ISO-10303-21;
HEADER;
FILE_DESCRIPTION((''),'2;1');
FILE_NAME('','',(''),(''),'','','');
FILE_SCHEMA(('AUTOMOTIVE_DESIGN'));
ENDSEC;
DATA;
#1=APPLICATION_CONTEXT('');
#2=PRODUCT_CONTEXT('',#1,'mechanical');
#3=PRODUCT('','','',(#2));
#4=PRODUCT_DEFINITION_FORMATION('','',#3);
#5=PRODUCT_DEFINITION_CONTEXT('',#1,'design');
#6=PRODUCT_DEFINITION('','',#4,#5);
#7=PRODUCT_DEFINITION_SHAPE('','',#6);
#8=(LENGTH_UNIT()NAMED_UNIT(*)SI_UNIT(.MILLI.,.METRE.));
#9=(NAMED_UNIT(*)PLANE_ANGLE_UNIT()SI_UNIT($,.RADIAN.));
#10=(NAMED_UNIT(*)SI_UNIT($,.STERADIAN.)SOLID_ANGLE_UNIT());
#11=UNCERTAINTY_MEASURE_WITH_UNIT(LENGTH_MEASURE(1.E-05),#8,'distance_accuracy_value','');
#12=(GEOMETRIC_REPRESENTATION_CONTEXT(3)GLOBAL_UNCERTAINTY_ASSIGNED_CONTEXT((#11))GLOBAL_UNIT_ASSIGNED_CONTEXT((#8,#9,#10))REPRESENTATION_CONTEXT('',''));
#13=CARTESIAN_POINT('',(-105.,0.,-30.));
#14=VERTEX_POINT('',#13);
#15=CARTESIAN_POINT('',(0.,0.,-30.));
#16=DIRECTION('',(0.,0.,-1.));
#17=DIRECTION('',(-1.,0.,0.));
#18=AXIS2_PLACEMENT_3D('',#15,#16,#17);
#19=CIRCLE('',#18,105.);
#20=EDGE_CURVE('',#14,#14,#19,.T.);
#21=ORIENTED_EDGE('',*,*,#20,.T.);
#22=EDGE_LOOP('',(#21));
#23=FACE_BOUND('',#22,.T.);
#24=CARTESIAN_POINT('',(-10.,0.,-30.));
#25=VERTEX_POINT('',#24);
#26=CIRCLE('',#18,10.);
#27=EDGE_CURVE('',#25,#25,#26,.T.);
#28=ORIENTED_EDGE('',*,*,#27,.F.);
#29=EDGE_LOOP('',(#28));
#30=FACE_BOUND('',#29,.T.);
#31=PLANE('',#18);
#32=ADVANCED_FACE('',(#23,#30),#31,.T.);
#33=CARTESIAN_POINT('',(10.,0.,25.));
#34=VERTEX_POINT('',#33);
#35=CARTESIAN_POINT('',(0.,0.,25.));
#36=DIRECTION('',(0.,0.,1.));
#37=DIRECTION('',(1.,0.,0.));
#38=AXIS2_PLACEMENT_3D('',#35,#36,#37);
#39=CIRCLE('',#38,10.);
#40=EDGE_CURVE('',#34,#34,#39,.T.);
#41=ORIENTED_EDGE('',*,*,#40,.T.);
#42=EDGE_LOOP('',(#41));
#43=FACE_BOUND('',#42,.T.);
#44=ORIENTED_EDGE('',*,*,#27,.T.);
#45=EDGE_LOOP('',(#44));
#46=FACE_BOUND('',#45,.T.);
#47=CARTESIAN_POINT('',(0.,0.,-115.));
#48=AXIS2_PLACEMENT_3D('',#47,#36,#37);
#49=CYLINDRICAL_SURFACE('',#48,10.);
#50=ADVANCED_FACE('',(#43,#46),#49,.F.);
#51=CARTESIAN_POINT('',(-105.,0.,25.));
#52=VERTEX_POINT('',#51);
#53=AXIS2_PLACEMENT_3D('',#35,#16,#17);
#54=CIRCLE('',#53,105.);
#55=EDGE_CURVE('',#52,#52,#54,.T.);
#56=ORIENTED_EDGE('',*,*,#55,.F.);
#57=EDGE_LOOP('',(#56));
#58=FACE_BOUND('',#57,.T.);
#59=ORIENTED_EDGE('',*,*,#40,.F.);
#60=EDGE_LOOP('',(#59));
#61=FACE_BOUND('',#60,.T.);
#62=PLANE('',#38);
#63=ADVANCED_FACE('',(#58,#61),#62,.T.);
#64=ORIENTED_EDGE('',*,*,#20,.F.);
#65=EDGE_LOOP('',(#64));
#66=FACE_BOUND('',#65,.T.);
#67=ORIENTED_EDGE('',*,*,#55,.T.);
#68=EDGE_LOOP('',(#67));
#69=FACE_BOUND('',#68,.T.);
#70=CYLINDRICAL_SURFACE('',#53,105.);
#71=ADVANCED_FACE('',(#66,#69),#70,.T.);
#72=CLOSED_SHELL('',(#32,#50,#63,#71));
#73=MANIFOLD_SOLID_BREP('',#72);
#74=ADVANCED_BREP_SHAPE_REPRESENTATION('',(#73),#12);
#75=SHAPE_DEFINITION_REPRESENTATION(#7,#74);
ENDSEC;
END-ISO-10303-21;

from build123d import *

# Parameters (mm, degrees)
SKETCH1_R                = 88
BOSS_EXTRUDE3_DEPTH      = 25
SKETCH4_W                = 10.4719
SKETCH4_H                = 13.351164338
BOSS_EXTRUDE4_DEPTH      = 25
FILLET2_R                = 4
CIRPATTERN1_COUNT        = 30
FILLET2_OF_CIRPATTERN1_R = 4
SKETCH6_R                = 10
BOSS_EXTRUDE5_DEPTH      = 60
BOSS_EXTRUDE6_START      = 10
SKETCH7_R                = 10
BOSS_EXTRUDE6_DEPTH      = 10
SKETCH8_R                = 10
BOSS_EXTRUDE7_DEPTH      = 10
SKETCH9_R                = 10
BOSS_EXTRUDE8_DEPTH      = 25
SKETCH10_R               = 10
BOSS_EXTRUDE9_DEPTH      = 42.5
SKETCH12_R               = 12.5
CUT_EXTRUDE1_DEPTH       = 12
CUT_EXTRUDE2_START       = -55.5
SKETCH13_R               = 10
CUT_EXTRUDE2_DEPTH       = 55.5
SKETCH14_R               = 10
BOSS_EXTRUDE10_DEPTH     = 440
SKETCH15_R               = 105
BOSS_EXTRUDE12_DEPTH     = 25
BOSS_EXTRUDE13_START     = 30
SKETCH16_R               = 105
BOSS_EXTRUDE13_DEPTH     = 30
SKETCH17_R               = 10
BOSS_EXTRUDE14_DEPTH     = 50
CUT_EXTRUDE3_START       = -700
SKETCH18_R               = 10
CUT_EXTRUDE3_DEPTH       = 700


with BuildPart() as part:
    # Sketch1 → Boss-Extrude3 (new body)
    with BuildSketch(Plane.XY):
        Circle(SKETCH1_R)
    extrude(amount=BOSS_EXTRUDE3_DEPTH)

    # Sketch4 → Boss-Extrude4 (add)
    with BuildSketch(Plane.XY.offset(25)):
        with Locations((0, 93.324417831)):
            Rectangle(SKETCH4_W, SKETCH4_H)
    boss_extrude4 = extrude(amount=-BOSS_EXTRUDE4_DEPTH)

    # Fillet2
    fillet2_edges = [part.edges().sort_by_distance(p)[0] for p in [
        (5.23595, 100, 12.5),
        (0, 100, 0),
        (-5.23595, 100, 12.5),
        (0, 100, 25),
    ]]
    fillet(fillet2_edges, radius=FILLET2_R)

    # CirPattern1: Boss-Extrude4 ×30 about axis
    cirpattern1_axis = Axis((0, 0.317667884, 0), (0, 0, 1))
    for i in range(1, CIRPATTERN1_COUNT):
        add(boss_extrude4.rotate(cirpattern1_axis, i * 360 / CIRPATTERN1_COUNT))

    # Fillet2 of CirPattern1
    fillet2_of_cirpattern1_edges = [part.edges().sort_by_distance(p)[0] for p in [
        (-15.603590285, 98.910317096, 12.5),
        (-20.725122215, 97.821701879, 0),
        (-25.846654145, 96.733086661, 12.5),
        (-20.725122215, 97.821701879, 25),
        (-35.7611788, 93.511662322, 12.5),
        (-40.544457139, 91.382009596, 0),
        (-45.327735478, 89.252356869, 12.5),
        (-40.544457139, 91.382009596, 25),
        (-54.3558322, 84.039982796, 12.5),
        (-58.591804732, 80.962368605, 0),
        (-62.827777264, 77.884754413, 12.5),
        (-58.591804732, 80.962368605, 25),
        (-70.574874905, 70.909236365, 12.5),
        (-74.078409304, 67.018167216, 0),
        (-77.581943702, 63.127098067, 12.5),
        (-74.078409304, 67.018167216, 25),
        (-83.709456921, 54.693299655, 12.5),
        (-86.327431921, 50.158833942, 0),
        (-88.945406921, 45.624368229, 12.5),
        (-86.327431921, 50.158833942, 25),
        (-93.185533987, 36.100886913, 12.5),
        (-94.803531519, 31.121202547, 0),
        (-96.42152905, 26.14151818, 12.5),
        (-94.803531519, 31.121202547, 25),
        (-98.588956064, 15.944575793, 12.5),
        (-99.136261871, 10.737308875, 0),
        (-99.683567678, 5.530041957, 12.5),
        (-99.136261871, 10.737308875, 25),
        (-99.683567678, -4.894706189, 12.5),
        (-99.136261871, -10.101973107, 0),
        (-98.588956064, -15.309240025, 12.5),
        (-99.136261871, -10.101973107, 25),
        (-96.42152905, -25.506182413, 12.5),
        (-94.803531519, -30.485866779, 0),
        (-93.185533987, -35.465551145, 12.5),
        (-94.803531519, -30.485866779, 25),
        (-88.945406921, -44.989032461, 12.5),
        (-86.327431921, -49.523498174, 0),
        (-83.709456921, -54.057963887, 12.5),
        (-86.327431921, -49.523498174, 25),
        (-77.581943702, -62.491762299, 12.5),
        (-74.078409304, -66.382831448, 0),
        (-70.574874905, -70.273900597, 12.5),
        (-74.078409304, -66.382831448, 25),
        (-62.827777264, -77.249418645, 12.5),
        (-58.591804732, -80.327032837, 0),
        (-54.3558322, -83.404647029, 12.5),
        (-58.591804732, -80.327032837, 25),
        (-45.327735478, -88.617021102, 12.5),
        (-40.544457139, -90.746673828, 0),
        (-35.7611788, -92.876326554, 12.5),
        (-40.544457139, -90.746673828, 25),
        (-25.846654145, -96.097750894, 12.5),
        (-20.725122215, -97.186366111, 0),
        (-15.603590285, -98.274981329, 12.5),
        (-20.725122215, -97.186366111, 25),
        (-5.23595, -99.364664232, 12.5),
        (0, -99.364664232, 0),
        (5.23595, -99.364664232, 12.5),
        (0, -99.364664232, 25),
        (15.603590285, -98.274981329, 12.5),
        (20.725122215, -97.186366111, 0),
        (25.846654145, -96.097750894, 12.5),
        (20.725122215, -97.186366111, 25),
        (35.7611788, -92.876326554, 12.5),
        (40.544457139, -90.746673828, 0),
        (45.327735478, -88.617021102, 12.5),
        (40.544457139, -90.746673828, 25),
        (54.3558322, -83.404647029, 12.5),
        (58.591804732, -80.327032837, 0),
        (62.827777264, -77.249418645, 12.5),
        (58.591804732, -80.327032837, 25),
        (70.574874905, -70.273900597, 12.5),
        (74.078409304, -66.382831448, 0),
        (77.581943702, -62.491762299, 12.5),
        (74.078409304, -66.382831448, 25),
        (83.709456921, -54.057963887, 12.5),
        (86.327431921, -49.523498174, 0),
        (88.945406921, -44.989032461, 12.5),
        (86.327431921, -49.523498174, 25),
        (93.185533987, -35.465551145, 12.5),
        (94.803531519, -30.485866779, 0),
        (96.42152905, -25.506182413, 12.5),
        (94.803531519, -30.485866779, 25),
        (98.588956064, -15.309240025, 12.5),
        (99.136261871, -10.101973107, 0),
        (99.683567678, -4.894706189, 12.5),
        (99.136261871, -10.101973107, 25),
        (99.683567678, 5.530041957, 12.5),
        (99.136261871, 10.737308875, 0),
        (98.588956064, 15.944575793, 12.5),
        (99.136261871, 10.737308875, 25),
        (96.42152905, 26.14151818, 12.5),
        (94.803531519, 31.121202547, 0),
        (93.185533987, 36.100886913, 12.5),
        (94.803531519, 31.121202547, 25),
        (88.945406921, 45.624368229, 12.5),
        (86.327431921, 50.158833942, 0),
        (83.709456921, 54.693299655, 12.5),
        (86.327431921, 50.158833942, 25),
        (77.581943702, 63.127098067, 12.5),
        (74.078409304, 67.018167216, 0),
        (70.574874905, 70.909236365, 12.5),
        (74.078409304, 67.018167216, 25),
        (62.827777264, 77.884754413, 12.5),
        (58.591804732, 80.962368605, 0),
        (54.3558322, 84.039982796, 12.5),
        (58.591804732, 80.962368605, 25),
        (45.327735478, 89.252356869, 12.5),
        (40.544457139, 91.382009596, 0),
        (35.7611788, 93.511662322, 12.5),
        (40.544457139, 91.382009596, 25),
        (25.846654145, 96.733086661, 12.5),
        (20.725122215, 97.821701879, 0),
        (15.603590285, 98.910317096, 12.5),
        (20.725122215, 97.821701879, 25),
    ]]
    fillet(fillet2_of_cirpattern1_edges, radius=FILLET2_OF_CIRPATTERN1_R)

    # Sketch6 → Boss-Extrude5 (add)
    with BuildSketch(Plane.XY.offset(25)):
        Circle(SKETCH6_R)
    extrude(amount=BOSS_EXTRUDE5_DEPTH)

    # Sketch7 → Boss-Extrude6 (add)
    with BuildSketch(Plane(origin=(0, 0, 0), x_dir=(-1, 0, 0), z_dir=(0, 0, -1)).offset(BOSS_EXTRUDE6_START)):
        with Locations(Location((0, 0, 0), (0, 0, 180))):
            Circle(SKETCH7_R)
    extrude(amount=-BOSS_EXTRUDE6_DEPTH)

    # Sketch8 → Boss-Extrude7 (add)
    with BuildSketch(Plane.XY.offset(85)):
        Circle(SKETCH8_R)
    extrude(amount=BOSS_EXTRUDE7_DEPTH)

    # Sketch9 → Boss-Extrude8 (add)
    with BuildSketch(Plane.XY.offset(95)):
        Circle(SKETCH9_R)
    extrude(amount=BOSS_EXTRUDE8_DEPTH)

    # Sketch10 → Boss-Extrude9 (add)
    with BuildSketch(Plane.XY.offset(120)):
        Circle(SKETCH10_R)
    extrude(amount=BOSS_EXTRUDE9_DEPTH)

    # Sketch12 → Cut-Extrude1 (cut)
    with BuildSketch(Plane.XY.offset(162.5)):
        Circle(SKETCH12_R)
    extrude(amount=-CUT_EXTRUDE1_DEPTH, mode=Mode.SUBTRACT)

    # Sketch13 → Cut-Extrude2 (cut)
    with BuildSketch(Plane.XY.offset(150.5).offset(CUT_EXTRUDE2_START)):
        Circle(SKETCH13_R)
    extrude(amount=CUT_EXTRUDE2_DEPTH, mode=Mode.SUBTRACT)

    # Sketch14 → Boss-Extrude10 (add)
    with BuildSketch(Plane.XY.offset(95)):
        Circle(SKETCH14_R)
    extrude(amount=BOSS_EXTRUDE10_DEPTH)

    # Sketch15 → Boss-Extrude12 (add)
    with BuildSketch(Plane(origin=(0, 0, 0), x_dir=(-1, 0, 0), z_dir=(0, 0, -1))):
        Circle(SKETCH15_R)
    extrude(amount=-BOSS_EXTRUDE12_DEPTH)

    # Sketch16 → Boss-Extrude13 (add)
    with BuildSketch(Plane(origin=(0, 0, 0), x_dir=(-1, 0, 0), z_dir=(0, 0, -1)).offset(BOSS_EXTRUDE13_START)):
        Circle(SKETCH16_R)
    extrude(amount=-BOSS_EXTRUDE13_DEPTH)

    # Sketch17 → Boss-Extrude14 (add)
    with BuildSketch(Plane.XY.offset(535)):
        Circle(SKETCH17_R)
    extrude(amount=BOSS_EXTRUDE14_DEPTH)

    # Sketch18 → Cut-Extrude3 (cut)
    with BuildSketch(Plane.XY.offset(585).offset(CUT_EXTRUDE3_START)):
        Circle(SKETCH18_R)
    extrude(amount=CUT_EXTRUDE3_DEPTH, mode=Mode.SUBTRACT)


solid = part.part
